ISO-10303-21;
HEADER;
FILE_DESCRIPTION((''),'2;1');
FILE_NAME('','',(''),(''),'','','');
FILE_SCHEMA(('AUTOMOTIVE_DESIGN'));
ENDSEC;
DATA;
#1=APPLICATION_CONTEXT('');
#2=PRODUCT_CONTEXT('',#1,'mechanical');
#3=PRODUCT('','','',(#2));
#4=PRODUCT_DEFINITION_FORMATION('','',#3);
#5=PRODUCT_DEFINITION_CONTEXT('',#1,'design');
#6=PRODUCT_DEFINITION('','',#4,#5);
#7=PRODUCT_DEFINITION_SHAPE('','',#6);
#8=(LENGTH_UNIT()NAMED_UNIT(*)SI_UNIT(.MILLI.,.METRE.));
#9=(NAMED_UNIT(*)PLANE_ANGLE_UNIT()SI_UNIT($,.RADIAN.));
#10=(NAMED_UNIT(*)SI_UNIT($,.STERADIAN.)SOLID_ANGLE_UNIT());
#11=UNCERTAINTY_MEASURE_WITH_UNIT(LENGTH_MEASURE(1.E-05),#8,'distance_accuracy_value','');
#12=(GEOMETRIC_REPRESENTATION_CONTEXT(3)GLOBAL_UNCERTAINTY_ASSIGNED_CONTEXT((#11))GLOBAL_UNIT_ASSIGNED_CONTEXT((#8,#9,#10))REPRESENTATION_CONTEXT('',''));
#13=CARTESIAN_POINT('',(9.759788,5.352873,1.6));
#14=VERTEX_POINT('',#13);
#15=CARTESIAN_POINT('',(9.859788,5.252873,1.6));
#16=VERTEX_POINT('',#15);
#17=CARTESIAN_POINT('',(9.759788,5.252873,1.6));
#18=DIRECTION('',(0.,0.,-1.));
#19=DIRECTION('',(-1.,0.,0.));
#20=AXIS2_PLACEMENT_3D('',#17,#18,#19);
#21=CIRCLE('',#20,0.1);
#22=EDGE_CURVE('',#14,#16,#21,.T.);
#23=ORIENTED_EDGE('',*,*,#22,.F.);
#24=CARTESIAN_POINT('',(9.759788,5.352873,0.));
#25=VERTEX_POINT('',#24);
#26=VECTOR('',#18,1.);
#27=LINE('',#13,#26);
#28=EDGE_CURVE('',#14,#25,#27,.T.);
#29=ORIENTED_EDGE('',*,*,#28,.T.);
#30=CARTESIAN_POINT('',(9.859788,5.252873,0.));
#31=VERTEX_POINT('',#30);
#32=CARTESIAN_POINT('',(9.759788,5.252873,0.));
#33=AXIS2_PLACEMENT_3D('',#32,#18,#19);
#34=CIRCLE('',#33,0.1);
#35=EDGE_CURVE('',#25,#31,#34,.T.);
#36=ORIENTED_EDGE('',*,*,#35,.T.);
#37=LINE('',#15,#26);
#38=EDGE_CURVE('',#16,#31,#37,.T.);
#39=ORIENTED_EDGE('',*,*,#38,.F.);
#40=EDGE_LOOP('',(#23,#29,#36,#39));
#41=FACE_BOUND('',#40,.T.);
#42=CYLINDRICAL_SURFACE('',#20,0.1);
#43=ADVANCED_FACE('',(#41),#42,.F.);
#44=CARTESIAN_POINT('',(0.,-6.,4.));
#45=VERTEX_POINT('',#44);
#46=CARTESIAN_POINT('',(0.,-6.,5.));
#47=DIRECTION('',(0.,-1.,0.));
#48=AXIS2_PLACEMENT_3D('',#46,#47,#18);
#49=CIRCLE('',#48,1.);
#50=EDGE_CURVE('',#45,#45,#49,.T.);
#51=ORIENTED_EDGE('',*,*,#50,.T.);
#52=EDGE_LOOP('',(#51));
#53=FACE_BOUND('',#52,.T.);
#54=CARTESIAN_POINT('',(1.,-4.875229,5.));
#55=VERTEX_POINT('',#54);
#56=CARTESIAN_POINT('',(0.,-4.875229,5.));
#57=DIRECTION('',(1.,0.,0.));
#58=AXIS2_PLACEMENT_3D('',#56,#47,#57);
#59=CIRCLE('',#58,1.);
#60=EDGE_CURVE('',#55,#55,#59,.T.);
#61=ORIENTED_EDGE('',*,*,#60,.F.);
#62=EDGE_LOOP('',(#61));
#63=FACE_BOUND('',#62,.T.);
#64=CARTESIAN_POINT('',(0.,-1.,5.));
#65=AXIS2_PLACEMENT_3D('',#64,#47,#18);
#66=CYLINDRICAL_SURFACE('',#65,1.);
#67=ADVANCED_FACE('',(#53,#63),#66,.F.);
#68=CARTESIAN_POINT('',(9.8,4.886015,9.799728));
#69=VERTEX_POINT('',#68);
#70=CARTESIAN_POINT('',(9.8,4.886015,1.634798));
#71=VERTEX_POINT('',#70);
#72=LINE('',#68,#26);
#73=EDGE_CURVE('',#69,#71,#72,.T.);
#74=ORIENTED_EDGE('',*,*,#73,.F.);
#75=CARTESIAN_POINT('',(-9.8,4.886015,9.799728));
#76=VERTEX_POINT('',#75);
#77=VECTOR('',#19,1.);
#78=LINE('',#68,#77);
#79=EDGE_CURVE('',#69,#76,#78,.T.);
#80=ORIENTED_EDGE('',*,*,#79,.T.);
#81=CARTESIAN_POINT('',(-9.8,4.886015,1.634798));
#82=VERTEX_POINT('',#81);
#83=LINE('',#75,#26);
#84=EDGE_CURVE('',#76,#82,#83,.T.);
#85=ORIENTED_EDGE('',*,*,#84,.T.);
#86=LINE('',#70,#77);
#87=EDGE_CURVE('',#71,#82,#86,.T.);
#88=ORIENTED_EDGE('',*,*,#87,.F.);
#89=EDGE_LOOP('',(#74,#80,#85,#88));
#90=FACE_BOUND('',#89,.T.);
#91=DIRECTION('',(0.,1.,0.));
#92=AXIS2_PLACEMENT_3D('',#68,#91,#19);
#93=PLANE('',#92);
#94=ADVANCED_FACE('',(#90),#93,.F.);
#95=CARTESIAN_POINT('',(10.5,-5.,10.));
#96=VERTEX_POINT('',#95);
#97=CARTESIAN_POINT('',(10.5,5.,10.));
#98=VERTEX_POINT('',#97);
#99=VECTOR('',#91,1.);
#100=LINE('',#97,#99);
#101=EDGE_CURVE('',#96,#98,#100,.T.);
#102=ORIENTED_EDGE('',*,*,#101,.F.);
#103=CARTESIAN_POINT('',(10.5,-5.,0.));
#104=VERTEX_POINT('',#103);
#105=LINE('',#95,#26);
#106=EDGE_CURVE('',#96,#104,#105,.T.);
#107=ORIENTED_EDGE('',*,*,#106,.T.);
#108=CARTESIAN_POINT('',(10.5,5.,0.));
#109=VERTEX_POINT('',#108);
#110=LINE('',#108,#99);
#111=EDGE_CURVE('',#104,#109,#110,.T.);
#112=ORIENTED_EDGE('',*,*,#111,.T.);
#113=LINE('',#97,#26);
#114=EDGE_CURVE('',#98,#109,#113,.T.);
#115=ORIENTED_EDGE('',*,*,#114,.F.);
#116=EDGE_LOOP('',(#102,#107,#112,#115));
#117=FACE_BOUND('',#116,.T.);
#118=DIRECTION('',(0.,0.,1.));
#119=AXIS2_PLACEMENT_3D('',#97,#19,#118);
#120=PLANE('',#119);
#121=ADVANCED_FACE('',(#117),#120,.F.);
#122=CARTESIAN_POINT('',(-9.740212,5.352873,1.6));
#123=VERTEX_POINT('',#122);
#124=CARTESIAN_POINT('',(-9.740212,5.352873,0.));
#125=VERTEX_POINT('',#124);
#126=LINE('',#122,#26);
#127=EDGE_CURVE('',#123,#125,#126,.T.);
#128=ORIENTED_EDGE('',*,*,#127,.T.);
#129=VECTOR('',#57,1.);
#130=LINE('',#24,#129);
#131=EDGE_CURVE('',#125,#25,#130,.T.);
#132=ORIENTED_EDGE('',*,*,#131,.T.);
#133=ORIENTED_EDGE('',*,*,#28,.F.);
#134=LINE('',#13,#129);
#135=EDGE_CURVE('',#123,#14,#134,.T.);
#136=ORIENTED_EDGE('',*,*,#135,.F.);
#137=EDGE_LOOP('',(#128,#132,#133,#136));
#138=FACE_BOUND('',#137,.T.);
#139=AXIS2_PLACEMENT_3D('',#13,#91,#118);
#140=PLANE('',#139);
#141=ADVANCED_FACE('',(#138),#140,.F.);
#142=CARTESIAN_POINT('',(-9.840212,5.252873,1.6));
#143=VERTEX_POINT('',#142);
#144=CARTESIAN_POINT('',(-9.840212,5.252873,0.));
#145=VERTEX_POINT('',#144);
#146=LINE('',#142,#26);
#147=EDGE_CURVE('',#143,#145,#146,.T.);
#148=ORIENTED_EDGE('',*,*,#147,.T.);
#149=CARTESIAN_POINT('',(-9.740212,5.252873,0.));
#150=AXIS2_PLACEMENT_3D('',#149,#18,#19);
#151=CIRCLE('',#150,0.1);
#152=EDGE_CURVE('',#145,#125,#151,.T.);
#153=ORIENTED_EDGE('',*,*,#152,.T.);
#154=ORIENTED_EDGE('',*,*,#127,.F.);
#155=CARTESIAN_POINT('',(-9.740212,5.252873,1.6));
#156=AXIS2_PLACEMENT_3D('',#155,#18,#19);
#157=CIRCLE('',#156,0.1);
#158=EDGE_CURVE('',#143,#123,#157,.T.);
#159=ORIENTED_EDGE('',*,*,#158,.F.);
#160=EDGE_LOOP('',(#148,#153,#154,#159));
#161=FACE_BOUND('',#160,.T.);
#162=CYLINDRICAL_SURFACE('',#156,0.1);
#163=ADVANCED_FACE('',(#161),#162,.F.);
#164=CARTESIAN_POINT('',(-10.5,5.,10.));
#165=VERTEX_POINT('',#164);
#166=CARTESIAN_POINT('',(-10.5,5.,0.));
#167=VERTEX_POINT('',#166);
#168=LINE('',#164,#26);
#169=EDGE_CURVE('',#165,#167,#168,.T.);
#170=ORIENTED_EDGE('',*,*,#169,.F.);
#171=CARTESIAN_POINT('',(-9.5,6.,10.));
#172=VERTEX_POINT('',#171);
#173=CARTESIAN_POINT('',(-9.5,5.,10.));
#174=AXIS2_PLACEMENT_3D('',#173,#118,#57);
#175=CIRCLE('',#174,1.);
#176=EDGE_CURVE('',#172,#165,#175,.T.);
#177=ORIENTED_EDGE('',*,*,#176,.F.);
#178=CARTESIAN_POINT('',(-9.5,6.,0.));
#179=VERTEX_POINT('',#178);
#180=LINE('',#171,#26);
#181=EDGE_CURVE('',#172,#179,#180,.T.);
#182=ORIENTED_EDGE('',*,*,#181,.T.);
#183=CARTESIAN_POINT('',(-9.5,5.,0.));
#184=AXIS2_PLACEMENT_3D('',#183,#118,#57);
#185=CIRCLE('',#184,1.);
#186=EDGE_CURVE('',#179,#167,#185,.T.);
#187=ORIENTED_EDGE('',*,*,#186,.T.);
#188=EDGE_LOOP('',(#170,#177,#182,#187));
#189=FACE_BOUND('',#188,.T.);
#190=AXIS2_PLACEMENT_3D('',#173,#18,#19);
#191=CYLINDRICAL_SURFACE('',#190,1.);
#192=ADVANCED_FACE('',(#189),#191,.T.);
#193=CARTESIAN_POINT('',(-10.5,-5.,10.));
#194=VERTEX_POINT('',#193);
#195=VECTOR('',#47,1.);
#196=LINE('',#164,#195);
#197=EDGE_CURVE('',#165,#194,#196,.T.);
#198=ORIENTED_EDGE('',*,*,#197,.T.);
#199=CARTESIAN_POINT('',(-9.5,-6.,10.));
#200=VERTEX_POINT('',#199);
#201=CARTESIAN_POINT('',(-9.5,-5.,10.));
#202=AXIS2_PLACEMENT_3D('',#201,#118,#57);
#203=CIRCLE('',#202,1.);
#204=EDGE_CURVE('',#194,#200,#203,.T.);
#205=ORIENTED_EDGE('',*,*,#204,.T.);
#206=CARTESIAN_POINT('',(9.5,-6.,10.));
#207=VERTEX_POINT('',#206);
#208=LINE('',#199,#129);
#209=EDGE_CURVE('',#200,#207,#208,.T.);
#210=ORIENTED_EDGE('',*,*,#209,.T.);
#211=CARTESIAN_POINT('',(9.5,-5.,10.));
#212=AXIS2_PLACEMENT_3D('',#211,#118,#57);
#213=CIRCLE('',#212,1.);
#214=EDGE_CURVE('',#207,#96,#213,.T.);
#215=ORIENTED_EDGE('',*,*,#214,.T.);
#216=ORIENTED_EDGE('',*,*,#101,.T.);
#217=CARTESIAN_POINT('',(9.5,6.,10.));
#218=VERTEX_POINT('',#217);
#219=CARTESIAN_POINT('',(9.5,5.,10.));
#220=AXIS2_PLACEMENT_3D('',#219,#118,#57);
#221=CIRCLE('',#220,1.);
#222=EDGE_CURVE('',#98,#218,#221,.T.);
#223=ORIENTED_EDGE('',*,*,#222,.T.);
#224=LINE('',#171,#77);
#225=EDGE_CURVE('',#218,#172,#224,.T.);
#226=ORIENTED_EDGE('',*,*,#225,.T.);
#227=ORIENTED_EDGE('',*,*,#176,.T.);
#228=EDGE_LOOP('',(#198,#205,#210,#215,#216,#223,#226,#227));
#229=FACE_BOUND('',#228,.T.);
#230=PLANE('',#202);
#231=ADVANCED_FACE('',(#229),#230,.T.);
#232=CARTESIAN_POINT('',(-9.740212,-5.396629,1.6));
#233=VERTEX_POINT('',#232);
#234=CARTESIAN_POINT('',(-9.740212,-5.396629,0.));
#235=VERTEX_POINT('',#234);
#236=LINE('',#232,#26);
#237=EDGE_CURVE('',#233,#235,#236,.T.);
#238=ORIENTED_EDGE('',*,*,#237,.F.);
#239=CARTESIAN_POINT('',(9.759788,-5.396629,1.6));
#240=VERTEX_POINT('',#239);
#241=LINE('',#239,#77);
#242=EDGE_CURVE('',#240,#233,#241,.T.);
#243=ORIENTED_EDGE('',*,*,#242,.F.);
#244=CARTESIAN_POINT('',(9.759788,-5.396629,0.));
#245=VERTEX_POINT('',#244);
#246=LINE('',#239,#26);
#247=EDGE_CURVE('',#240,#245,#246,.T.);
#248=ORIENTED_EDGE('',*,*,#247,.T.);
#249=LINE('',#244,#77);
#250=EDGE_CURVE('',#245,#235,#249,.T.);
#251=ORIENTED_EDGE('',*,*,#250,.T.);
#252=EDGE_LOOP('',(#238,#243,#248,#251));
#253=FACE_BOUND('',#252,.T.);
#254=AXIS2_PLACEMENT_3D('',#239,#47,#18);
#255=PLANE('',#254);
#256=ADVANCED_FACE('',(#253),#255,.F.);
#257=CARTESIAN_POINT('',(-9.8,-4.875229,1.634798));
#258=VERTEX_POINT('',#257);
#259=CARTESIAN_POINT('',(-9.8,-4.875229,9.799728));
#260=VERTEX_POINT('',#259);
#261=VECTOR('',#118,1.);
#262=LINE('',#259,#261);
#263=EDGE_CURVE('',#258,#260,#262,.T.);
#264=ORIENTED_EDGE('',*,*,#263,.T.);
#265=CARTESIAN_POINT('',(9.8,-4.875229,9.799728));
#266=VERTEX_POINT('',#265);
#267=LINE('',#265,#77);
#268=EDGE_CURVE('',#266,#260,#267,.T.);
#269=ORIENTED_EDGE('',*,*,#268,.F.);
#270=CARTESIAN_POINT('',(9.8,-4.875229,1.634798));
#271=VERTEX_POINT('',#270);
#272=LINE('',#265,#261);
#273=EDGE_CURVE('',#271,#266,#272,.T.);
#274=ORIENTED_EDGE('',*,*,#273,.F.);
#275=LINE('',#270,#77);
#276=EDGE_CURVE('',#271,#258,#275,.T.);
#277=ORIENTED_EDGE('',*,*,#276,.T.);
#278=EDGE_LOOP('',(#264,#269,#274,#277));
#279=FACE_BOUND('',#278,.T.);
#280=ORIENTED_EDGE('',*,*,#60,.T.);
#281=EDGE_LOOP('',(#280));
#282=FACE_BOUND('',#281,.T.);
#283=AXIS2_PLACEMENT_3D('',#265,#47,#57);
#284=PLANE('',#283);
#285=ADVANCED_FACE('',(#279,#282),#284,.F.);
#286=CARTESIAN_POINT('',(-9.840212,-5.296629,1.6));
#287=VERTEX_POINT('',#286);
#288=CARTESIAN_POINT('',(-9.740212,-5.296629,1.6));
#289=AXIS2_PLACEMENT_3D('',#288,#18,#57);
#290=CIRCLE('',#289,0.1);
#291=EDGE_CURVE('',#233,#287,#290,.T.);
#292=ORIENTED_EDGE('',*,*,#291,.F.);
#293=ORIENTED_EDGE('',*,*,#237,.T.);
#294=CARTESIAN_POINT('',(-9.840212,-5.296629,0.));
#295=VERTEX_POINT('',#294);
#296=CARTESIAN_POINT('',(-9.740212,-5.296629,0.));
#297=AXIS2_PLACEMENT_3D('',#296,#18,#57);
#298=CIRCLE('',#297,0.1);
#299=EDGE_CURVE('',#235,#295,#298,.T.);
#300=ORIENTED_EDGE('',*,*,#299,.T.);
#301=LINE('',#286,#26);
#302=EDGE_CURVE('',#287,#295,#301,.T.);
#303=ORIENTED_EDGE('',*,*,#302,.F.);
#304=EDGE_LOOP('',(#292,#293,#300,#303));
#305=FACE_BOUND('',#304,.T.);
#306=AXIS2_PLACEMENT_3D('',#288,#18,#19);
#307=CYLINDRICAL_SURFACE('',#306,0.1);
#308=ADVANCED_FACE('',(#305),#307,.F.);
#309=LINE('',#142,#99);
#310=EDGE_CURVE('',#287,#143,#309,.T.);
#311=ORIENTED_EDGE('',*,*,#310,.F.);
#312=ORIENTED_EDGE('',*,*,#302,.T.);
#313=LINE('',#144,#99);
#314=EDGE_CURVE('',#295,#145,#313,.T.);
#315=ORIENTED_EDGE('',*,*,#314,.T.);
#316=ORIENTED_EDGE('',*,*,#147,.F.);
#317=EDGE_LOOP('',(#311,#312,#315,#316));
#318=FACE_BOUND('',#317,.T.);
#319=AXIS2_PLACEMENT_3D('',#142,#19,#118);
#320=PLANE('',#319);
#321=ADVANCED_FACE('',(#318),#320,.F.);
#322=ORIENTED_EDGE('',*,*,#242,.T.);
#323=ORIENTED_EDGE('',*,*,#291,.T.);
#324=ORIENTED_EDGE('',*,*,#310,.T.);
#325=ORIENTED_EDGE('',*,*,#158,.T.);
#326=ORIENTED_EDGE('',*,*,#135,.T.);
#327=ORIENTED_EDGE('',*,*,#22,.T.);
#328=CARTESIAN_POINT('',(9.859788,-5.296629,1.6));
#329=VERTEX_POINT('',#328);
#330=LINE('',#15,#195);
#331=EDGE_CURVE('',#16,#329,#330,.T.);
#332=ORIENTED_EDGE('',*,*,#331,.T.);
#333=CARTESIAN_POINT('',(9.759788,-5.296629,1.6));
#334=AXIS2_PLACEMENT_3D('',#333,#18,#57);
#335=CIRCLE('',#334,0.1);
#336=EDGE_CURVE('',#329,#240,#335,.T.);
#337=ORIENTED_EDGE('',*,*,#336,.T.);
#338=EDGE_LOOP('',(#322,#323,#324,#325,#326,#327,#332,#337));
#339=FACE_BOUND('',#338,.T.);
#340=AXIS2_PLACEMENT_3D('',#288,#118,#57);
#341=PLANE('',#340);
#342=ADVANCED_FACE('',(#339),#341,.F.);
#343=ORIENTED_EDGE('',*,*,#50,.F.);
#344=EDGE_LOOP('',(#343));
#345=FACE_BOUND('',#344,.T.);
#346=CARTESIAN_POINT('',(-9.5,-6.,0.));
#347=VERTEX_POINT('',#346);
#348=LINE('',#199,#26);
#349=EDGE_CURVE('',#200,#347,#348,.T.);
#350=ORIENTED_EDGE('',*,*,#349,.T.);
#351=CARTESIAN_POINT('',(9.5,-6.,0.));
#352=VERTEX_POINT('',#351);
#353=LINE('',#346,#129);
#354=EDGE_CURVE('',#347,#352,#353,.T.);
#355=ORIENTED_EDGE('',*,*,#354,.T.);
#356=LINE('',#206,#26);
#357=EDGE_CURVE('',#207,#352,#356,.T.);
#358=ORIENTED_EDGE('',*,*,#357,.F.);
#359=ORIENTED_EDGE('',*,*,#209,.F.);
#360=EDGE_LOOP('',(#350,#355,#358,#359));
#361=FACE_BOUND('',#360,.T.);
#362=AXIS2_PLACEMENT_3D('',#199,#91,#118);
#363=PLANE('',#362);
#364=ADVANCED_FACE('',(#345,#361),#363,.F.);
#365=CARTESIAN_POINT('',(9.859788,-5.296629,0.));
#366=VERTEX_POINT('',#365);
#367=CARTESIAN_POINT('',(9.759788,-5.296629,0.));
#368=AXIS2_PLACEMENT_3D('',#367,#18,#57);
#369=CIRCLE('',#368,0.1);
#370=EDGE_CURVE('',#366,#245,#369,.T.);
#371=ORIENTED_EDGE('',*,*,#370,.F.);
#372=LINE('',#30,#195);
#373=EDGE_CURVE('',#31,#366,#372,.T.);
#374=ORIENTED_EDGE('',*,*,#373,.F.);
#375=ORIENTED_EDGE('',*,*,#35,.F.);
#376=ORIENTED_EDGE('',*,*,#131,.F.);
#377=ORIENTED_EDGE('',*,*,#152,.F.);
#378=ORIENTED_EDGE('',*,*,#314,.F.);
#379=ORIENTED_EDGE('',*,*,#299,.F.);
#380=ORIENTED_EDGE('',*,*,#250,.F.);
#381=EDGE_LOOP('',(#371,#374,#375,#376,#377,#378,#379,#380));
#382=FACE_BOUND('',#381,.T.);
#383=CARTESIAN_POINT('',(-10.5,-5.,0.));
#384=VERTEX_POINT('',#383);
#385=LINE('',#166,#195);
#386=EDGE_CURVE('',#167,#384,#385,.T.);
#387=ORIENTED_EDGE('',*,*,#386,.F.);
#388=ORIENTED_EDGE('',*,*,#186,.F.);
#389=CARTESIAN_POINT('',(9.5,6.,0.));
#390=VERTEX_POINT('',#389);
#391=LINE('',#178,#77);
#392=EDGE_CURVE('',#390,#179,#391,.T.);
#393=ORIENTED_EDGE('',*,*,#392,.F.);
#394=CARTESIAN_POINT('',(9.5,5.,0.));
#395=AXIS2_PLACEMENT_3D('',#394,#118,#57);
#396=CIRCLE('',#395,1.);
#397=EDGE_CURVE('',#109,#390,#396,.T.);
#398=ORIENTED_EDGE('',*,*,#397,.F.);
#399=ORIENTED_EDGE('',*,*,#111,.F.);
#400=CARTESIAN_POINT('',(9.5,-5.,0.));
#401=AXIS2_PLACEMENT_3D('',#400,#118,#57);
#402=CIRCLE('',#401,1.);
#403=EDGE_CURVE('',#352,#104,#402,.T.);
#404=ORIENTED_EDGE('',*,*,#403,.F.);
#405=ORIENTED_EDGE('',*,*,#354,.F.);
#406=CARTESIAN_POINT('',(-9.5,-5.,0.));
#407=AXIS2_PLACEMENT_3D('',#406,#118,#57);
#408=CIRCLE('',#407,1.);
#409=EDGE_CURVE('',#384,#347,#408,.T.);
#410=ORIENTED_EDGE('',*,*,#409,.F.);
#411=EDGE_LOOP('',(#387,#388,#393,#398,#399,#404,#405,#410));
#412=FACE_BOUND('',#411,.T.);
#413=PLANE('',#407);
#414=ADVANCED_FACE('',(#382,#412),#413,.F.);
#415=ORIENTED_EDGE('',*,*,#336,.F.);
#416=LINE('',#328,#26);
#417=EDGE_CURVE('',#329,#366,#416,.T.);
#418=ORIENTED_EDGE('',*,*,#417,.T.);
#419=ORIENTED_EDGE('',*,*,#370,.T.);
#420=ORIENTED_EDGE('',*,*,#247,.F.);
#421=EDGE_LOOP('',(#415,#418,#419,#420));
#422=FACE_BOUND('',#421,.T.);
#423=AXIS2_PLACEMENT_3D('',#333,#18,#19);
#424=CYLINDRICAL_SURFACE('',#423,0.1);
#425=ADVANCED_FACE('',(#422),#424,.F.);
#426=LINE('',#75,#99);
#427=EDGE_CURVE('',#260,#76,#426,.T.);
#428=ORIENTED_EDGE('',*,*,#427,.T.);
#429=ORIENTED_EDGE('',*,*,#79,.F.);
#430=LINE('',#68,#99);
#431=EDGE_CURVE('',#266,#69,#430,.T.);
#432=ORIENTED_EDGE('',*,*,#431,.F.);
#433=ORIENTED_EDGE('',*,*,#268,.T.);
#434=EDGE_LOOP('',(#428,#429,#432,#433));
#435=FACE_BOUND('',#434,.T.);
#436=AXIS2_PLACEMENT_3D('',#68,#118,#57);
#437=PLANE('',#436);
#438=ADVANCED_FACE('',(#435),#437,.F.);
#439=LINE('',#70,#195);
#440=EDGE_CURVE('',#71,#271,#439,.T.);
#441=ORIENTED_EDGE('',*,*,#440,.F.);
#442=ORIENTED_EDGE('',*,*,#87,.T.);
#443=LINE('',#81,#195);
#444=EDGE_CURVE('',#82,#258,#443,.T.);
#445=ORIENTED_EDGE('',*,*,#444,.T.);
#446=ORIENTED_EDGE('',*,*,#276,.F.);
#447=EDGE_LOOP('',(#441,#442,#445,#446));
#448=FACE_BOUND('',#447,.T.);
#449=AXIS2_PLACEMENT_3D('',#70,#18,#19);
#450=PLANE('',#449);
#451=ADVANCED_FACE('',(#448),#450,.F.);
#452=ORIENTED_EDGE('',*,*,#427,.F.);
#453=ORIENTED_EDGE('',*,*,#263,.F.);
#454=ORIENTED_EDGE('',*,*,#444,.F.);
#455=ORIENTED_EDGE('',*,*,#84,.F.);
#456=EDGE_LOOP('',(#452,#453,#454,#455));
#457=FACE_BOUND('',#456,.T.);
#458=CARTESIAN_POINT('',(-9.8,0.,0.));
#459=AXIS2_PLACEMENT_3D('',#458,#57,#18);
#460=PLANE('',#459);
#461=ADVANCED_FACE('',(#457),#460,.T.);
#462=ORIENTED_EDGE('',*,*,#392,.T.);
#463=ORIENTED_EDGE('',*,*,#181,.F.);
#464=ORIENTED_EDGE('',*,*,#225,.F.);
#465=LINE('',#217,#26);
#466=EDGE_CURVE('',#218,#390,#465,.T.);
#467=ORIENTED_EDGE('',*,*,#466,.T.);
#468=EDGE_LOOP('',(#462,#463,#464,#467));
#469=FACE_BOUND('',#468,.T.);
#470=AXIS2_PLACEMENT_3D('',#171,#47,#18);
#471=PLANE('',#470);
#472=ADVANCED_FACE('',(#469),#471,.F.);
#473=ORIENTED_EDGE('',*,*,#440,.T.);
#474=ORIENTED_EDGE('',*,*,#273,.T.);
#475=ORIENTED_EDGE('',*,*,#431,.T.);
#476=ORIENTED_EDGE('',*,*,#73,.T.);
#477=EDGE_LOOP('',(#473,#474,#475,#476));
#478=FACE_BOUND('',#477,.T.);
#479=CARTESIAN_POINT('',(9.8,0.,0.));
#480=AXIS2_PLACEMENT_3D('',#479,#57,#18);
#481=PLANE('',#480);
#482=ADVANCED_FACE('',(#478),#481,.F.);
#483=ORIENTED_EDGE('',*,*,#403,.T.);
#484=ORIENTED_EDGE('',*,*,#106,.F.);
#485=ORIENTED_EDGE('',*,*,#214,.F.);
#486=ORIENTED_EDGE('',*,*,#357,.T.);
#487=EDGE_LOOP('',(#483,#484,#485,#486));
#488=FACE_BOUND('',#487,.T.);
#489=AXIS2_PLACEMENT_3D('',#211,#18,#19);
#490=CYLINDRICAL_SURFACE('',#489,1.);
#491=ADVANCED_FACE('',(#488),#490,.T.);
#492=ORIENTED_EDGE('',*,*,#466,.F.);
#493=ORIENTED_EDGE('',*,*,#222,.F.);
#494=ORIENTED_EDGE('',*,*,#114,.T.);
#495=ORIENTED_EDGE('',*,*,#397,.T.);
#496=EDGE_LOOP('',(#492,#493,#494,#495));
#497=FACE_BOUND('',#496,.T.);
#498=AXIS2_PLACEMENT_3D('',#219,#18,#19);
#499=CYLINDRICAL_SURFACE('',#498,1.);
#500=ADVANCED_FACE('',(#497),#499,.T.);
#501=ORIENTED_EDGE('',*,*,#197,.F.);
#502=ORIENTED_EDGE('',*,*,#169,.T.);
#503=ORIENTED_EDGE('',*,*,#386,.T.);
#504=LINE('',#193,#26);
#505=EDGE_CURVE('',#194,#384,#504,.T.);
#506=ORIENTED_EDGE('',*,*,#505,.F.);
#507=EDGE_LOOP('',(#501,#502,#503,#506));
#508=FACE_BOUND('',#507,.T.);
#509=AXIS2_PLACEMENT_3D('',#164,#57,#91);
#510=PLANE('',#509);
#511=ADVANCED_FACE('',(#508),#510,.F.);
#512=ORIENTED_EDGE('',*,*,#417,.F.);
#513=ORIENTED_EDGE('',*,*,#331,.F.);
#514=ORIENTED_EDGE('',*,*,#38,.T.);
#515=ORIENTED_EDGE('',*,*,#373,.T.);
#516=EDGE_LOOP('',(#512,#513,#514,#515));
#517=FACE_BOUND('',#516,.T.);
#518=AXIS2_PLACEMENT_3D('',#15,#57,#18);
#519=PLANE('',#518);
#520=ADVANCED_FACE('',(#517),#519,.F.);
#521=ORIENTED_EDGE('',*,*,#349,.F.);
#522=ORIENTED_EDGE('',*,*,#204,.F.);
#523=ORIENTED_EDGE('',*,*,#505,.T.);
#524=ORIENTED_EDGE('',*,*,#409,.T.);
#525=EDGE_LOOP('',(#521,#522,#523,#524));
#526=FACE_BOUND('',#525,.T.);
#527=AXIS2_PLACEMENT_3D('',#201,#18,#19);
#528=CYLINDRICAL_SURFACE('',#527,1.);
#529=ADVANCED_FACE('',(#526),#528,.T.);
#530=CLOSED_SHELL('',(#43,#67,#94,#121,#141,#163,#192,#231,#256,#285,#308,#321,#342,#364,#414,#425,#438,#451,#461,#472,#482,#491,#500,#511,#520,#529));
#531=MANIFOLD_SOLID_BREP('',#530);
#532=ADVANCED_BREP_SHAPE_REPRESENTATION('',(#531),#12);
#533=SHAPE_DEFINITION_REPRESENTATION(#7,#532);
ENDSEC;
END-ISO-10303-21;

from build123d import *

# Parameters (mm, degrees)
BOSS_EXTRUDE2_DEPTH = 10
CUT_EXTRUDE3_DEPTH  = 1.6
SKETCH5_W           = 8.164929968
SKETCH5_H           = 9.761243885
CUT_EXTRUDE4_DEPTH  = 19.6
SKETCH6_R           = 1
CUT_EXTRUDE5_DEPTH  = 5


with BuildPart() as part:
    # Sketch2 → Boss-Extrude2 (new body)
    with BuildSketch(Plane.XY):
        with BuildLine():
            Line((-9.5, 6), (9.5, 6))
            ThreePointArc((9.5, 6), (10.207106781, 5.707106781), (10.5, 5))
            Line((10.5, 5), (10.5, -5))
            ThreePointArc((10.5, -5), (10.207106781, -5.707106781), (9.5, -6))
            Line((9.5, -6), (-9.5, -6))
            ThreePointArc((-9.5, -6), (-10.207106781, -5.707106781), (-10.5, -5))
            Line((-10.5, -5), (-10.5, 5))
            ThreePointArc((-10.5, 5), (-10.207106781, 5.707106781), (-9.5, 6))
        make_face()
    extrude(amount=BOSS_EXTRUDE2_DEPTH)

    # Sketch4 → Cut-Extrude3 (cut)
    with BuildSketch(Plane(origin=(0, 0, 0), x_dir=(-1, 0, 0), z_dir=(0, 0, -1))):
        with BuildLine():
            Line((-9.759787833, 5.35287298), (9.740212167, 5.35287298))
            ThreePointArc((9.740212167, 5.35287298), (9.810922845, 5.323583659), (9.840212167, 5.25287298))
            Line((9.840212167, 5.25287298), (9.840212167, -5.296629435))
            ThreePointArc((9.840212167, -5.296629435), (9.810922845, -5.367340113), (9.740212167, -5.396629435))
            Line((9.740212167, -5.396629435), (-9.759787833, -5.396629435))
            ThreePointArc((-9.759787833, -5.396629435), (-9.830498511, -5.367340113), (-9.859787833, -5.296629435))
            Line((-9.859787833, -5.296629435), (-9.859787833, 5.25287298))
            ThreePointArc((-9.859787833, 5.25287298), (-9.830498511, 5.323583659), (-9.759787833, 5.35287298))
        make_face()
    extrude(amount=-CUT_EXTRUDE3_DEPTH, mode=Mode.SUBTRACT)

    # Sketch5 → Cut-Extrude4 (cut)
    with BuildSketch(Plane.ZY.offset(9.8)):
        with Locations((5.717262672, 0.005392953)):
            Rectangle(SKETCH5_W, SKETCH5_H)
    extrude(amount=-CUT_EXTRUDE4_DEPTH, mode=Mode.SUBTRACT)

    # Sketch6 → Cut-Extrude5 (cut)
    with BuildSketch(Plane.XZ.offset(6)):
        with Locations(Location((0, 5, 0), (0, 0, 270))):
            Circle(SKETCH6_R)
    extrude(amount=-CUT_EXTRUDE5_DEPTH, mode=Mode.SUBTRACT)


solid = part.part
